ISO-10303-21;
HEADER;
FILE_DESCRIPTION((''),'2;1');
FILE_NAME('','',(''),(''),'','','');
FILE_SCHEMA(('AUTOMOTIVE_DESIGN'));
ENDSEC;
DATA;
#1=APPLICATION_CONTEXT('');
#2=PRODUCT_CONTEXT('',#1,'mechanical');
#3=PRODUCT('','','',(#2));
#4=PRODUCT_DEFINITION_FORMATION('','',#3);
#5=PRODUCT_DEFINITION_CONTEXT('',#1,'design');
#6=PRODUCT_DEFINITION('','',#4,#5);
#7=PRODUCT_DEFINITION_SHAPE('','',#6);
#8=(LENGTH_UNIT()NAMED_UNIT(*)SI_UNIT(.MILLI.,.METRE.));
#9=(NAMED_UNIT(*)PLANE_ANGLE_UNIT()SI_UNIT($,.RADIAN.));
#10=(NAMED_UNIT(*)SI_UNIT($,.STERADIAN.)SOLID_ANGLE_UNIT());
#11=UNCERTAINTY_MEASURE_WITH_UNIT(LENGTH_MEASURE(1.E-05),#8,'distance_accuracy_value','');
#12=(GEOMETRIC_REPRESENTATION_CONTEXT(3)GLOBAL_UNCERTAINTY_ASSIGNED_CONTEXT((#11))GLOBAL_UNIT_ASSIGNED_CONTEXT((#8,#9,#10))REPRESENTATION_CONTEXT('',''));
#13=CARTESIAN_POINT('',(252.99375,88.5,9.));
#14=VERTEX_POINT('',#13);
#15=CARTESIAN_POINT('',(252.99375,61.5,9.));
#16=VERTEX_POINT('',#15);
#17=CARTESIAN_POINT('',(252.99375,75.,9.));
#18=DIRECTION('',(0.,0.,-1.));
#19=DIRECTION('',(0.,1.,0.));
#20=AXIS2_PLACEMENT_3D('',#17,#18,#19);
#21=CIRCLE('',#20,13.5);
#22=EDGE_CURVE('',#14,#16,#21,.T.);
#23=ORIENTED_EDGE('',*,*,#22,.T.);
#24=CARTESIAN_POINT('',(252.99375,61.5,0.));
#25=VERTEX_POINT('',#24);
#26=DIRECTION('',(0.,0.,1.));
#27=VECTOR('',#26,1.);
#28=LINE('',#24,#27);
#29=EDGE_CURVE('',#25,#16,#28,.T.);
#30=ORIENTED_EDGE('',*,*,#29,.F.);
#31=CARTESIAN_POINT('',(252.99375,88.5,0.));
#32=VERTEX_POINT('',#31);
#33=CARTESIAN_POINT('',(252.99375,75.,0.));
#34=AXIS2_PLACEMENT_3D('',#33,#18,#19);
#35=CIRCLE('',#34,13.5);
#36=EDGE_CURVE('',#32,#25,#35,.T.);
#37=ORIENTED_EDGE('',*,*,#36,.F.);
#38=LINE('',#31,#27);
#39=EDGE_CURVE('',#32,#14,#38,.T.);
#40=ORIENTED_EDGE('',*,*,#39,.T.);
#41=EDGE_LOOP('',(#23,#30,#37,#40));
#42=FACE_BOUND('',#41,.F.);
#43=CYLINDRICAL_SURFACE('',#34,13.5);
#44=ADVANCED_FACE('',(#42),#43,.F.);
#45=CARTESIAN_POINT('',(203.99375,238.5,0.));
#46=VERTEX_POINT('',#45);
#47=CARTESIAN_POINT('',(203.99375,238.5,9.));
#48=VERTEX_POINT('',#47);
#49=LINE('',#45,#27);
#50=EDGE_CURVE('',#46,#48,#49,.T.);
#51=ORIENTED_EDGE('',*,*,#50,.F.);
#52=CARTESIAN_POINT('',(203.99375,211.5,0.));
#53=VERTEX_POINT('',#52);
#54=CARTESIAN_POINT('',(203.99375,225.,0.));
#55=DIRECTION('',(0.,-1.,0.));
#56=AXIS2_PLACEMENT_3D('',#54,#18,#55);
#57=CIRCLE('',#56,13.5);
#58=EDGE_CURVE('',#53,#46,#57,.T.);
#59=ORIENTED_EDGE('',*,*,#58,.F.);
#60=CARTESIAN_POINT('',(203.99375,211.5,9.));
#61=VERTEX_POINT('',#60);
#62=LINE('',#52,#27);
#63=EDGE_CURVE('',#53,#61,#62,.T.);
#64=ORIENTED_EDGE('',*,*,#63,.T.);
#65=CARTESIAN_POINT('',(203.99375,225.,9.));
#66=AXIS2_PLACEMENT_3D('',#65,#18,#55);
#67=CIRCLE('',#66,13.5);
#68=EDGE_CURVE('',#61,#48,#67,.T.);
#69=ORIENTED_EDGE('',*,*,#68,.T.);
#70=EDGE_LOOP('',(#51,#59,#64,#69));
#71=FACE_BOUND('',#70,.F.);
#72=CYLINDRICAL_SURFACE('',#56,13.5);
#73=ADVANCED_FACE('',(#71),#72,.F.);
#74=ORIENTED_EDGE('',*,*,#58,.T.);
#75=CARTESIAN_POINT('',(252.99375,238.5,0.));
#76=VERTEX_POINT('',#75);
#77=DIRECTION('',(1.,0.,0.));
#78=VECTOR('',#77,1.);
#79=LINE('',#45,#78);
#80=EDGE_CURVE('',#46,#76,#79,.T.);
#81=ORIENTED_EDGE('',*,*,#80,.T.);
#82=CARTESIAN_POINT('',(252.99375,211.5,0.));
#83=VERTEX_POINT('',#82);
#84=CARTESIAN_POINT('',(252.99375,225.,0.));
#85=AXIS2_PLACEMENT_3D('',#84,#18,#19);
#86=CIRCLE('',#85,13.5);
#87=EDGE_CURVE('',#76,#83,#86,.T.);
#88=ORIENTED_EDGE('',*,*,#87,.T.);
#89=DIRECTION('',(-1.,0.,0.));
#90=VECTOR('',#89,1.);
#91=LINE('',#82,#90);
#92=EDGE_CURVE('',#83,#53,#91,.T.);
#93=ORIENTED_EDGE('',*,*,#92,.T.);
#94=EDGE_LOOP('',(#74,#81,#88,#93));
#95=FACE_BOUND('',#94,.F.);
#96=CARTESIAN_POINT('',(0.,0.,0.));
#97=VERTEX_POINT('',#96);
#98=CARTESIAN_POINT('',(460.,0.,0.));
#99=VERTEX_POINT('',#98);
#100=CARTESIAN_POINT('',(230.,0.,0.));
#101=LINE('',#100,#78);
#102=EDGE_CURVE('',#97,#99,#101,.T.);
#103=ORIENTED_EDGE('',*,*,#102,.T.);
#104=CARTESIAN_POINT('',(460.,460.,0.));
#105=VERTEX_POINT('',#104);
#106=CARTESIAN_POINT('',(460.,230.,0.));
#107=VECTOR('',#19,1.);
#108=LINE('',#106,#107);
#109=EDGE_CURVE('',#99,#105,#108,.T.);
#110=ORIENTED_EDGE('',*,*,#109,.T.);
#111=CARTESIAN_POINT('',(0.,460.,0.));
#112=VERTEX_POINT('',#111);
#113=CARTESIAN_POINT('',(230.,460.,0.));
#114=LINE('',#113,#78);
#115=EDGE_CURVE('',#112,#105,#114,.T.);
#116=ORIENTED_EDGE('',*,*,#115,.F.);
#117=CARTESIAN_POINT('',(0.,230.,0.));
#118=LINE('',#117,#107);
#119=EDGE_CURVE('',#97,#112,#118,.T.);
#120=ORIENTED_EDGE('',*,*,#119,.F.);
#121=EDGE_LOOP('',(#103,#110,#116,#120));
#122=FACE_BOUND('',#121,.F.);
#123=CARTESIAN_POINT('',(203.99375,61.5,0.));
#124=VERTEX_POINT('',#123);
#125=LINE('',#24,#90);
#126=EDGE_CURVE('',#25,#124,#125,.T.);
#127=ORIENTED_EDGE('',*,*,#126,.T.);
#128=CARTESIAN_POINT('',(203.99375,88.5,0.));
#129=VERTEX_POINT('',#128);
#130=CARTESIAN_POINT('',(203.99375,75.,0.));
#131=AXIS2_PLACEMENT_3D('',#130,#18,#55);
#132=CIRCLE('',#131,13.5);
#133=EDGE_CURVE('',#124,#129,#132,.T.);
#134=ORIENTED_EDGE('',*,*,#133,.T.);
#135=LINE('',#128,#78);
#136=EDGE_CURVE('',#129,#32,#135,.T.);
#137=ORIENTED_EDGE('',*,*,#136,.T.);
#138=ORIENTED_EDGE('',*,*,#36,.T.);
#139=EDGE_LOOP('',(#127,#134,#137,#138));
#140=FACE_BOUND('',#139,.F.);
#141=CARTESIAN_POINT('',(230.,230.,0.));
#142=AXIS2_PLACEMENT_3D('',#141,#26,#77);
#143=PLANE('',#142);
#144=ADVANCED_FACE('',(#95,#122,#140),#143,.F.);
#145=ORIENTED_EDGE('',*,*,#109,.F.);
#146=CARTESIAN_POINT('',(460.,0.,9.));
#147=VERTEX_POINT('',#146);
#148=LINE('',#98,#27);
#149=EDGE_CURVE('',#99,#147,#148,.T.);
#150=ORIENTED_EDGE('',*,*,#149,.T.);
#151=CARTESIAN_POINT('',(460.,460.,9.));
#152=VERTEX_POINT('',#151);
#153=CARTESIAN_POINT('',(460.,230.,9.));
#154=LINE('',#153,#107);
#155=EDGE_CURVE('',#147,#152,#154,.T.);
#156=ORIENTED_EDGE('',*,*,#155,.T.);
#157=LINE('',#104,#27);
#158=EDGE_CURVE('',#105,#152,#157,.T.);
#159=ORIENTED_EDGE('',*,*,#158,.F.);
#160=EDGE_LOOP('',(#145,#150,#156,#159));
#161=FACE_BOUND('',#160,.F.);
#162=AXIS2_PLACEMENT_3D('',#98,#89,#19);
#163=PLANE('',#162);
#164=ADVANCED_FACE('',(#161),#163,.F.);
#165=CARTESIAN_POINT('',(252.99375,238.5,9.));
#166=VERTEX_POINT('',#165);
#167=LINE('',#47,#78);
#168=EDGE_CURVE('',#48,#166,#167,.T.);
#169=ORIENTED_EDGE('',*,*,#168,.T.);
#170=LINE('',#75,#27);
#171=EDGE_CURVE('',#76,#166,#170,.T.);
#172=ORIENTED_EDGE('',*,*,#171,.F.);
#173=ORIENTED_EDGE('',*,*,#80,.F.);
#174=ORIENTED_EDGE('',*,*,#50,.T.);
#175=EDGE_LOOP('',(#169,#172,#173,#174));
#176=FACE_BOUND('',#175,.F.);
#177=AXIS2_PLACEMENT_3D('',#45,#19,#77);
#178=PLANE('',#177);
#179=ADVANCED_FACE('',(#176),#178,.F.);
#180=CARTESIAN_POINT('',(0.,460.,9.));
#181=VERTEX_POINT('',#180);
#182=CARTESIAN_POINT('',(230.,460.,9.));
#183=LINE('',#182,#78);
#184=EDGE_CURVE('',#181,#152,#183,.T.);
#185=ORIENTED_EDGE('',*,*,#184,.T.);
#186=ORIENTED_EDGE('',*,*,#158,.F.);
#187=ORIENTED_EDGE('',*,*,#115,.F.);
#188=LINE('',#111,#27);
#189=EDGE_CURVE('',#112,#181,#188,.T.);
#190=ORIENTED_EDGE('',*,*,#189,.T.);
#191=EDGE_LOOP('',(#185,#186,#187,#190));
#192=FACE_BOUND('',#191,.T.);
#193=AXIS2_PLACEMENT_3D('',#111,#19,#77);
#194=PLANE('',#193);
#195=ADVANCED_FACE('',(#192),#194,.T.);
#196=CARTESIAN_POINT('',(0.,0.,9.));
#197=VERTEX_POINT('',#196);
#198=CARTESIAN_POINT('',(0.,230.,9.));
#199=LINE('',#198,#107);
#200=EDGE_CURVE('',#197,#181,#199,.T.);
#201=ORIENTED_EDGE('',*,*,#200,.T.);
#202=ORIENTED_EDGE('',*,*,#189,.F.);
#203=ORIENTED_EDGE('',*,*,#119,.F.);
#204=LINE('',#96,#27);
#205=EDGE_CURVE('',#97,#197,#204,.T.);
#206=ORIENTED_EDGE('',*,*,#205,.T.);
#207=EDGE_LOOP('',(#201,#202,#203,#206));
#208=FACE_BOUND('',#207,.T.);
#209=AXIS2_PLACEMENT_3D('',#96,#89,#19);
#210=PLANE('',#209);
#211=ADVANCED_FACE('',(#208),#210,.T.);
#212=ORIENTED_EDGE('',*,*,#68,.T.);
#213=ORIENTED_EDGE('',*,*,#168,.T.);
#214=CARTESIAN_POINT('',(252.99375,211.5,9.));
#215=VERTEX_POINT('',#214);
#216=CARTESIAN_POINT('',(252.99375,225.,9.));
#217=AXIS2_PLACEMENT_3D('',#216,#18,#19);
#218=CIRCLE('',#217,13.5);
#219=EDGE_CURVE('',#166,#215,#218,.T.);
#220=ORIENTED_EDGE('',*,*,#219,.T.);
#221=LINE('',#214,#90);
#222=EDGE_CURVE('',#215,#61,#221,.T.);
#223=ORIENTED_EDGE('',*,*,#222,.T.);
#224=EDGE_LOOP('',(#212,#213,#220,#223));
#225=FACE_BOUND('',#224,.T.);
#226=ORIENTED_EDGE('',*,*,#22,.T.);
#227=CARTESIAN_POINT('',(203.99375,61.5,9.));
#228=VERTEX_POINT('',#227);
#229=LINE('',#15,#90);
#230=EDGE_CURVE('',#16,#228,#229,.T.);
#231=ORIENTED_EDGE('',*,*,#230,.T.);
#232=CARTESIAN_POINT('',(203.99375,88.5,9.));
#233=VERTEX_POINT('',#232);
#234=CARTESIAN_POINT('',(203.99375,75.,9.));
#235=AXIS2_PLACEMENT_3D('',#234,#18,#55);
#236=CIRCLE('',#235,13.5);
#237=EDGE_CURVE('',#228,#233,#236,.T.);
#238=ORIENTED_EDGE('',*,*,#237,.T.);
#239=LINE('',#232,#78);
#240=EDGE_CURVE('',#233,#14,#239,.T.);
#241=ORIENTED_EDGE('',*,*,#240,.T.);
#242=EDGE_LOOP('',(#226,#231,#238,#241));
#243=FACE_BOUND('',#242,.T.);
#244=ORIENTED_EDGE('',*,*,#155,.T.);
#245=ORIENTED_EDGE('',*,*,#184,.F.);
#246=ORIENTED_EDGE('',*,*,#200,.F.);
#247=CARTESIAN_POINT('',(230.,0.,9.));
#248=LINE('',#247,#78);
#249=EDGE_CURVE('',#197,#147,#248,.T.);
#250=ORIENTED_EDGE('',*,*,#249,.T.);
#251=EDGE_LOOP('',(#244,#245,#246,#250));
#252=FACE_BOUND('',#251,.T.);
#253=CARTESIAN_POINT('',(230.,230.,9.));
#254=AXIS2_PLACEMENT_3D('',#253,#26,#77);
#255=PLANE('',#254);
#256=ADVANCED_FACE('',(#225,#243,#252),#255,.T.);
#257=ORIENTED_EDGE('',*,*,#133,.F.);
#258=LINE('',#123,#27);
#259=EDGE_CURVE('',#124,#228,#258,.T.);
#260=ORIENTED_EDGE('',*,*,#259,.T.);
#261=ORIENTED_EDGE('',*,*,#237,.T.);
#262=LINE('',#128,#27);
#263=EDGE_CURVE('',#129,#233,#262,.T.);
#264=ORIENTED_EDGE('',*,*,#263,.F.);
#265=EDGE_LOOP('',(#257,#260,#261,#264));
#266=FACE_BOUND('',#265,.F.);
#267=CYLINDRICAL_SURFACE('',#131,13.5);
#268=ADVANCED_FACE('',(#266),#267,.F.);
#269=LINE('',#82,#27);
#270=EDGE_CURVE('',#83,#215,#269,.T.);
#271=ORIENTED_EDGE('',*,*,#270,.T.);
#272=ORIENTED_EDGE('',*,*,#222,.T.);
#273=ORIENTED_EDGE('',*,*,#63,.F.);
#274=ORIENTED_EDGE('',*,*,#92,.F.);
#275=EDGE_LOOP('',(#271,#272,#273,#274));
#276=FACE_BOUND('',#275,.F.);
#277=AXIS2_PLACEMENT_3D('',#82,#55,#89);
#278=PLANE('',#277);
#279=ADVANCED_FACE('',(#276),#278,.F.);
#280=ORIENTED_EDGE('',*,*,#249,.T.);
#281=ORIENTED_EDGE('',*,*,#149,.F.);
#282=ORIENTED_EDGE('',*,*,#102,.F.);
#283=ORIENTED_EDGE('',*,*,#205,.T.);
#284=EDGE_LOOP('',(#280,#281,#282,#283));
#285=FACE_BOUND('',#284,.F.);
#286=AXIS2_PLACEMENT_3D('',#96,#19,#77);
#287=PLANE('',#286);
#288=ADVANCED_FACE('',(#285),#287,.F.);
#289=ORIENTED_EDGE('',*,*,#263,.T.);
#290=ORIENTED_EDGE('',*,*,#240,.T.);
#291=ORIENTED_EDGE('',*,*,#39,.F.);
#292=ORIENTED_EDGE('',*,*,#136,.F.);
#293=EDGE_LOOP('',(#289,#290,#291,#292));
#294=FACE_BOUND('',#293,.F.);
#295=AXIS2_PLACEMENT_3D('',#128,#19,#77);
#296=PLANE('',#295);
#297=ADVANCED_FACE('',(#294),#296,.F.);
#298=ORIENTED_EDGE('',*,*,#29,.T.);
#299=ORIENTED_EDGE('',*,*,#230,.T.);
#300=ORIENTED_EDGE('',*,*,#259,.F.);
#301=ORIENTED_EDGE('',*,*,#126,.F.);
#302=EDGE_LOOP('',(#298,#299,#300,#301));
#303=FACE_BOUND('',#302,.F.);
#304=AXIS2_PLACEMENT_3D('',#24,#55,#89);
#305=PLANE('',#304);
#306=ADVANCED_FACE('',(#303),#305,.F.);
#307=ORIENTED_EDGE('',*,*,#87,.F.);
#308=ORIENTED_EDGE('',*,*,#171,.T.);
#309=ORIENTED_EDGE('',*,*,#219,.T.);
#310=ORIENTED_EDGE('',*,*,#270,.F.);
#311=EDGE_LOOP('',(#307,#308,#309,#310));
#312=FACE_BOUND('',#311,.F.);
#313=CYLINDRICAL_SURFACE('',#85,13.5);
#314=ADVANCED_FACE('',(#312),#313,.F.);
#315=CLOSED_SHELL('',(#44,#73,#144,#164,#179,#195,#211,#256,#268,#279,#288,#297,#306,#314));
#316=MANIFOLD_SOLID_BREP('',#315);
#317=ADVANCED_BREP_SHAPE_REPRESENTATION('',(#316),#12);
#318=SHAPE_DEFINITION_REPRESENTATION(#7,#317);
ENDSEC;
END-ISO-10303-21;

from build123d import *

# Parameters (mm, degrees)
F0_W     = 460
F0_H     = 460
F1_DEPTH = 9


with BuildPart() as f1:
    # F0 (on Top) → F1 (new body)
    with BuildSketch(Plane.XY):
        with Locations((230, 230)):
            Rectangle(F0_W, F0_H)
        with BuildLine():
            Line((252.99375, 61.5), (203.99375, 61.5))
            ThreePointArc((203.99375, 61.5), (190.49375, 75), (203.99375, 88.5))
            Line((203.99375, 88.5), (252.99375, 88.5))
            ThreePointArc((252.99375, 88.5), (266.49375, 75), (252.99375, 61.5))
        make_face(mode=Mode.SUBTRACT)
        with BuildLine():
            ThreePointArc((252.99375, 238.5), (266.49375, 225), (252.99375, 211.5))
            Line((252.99375, 211.5), (203.99375, 211.5))
            ThreePointArc((203.99375, 211.5), (190.49375, 225), (203.99375, 238.5))
            Line((203.99375, 238.5), (252.99375, 238.5))
        make_face(mode=Mode.SUBTRACT)
    extrude(amount=F1_DEPTH)


solid = f1.part
